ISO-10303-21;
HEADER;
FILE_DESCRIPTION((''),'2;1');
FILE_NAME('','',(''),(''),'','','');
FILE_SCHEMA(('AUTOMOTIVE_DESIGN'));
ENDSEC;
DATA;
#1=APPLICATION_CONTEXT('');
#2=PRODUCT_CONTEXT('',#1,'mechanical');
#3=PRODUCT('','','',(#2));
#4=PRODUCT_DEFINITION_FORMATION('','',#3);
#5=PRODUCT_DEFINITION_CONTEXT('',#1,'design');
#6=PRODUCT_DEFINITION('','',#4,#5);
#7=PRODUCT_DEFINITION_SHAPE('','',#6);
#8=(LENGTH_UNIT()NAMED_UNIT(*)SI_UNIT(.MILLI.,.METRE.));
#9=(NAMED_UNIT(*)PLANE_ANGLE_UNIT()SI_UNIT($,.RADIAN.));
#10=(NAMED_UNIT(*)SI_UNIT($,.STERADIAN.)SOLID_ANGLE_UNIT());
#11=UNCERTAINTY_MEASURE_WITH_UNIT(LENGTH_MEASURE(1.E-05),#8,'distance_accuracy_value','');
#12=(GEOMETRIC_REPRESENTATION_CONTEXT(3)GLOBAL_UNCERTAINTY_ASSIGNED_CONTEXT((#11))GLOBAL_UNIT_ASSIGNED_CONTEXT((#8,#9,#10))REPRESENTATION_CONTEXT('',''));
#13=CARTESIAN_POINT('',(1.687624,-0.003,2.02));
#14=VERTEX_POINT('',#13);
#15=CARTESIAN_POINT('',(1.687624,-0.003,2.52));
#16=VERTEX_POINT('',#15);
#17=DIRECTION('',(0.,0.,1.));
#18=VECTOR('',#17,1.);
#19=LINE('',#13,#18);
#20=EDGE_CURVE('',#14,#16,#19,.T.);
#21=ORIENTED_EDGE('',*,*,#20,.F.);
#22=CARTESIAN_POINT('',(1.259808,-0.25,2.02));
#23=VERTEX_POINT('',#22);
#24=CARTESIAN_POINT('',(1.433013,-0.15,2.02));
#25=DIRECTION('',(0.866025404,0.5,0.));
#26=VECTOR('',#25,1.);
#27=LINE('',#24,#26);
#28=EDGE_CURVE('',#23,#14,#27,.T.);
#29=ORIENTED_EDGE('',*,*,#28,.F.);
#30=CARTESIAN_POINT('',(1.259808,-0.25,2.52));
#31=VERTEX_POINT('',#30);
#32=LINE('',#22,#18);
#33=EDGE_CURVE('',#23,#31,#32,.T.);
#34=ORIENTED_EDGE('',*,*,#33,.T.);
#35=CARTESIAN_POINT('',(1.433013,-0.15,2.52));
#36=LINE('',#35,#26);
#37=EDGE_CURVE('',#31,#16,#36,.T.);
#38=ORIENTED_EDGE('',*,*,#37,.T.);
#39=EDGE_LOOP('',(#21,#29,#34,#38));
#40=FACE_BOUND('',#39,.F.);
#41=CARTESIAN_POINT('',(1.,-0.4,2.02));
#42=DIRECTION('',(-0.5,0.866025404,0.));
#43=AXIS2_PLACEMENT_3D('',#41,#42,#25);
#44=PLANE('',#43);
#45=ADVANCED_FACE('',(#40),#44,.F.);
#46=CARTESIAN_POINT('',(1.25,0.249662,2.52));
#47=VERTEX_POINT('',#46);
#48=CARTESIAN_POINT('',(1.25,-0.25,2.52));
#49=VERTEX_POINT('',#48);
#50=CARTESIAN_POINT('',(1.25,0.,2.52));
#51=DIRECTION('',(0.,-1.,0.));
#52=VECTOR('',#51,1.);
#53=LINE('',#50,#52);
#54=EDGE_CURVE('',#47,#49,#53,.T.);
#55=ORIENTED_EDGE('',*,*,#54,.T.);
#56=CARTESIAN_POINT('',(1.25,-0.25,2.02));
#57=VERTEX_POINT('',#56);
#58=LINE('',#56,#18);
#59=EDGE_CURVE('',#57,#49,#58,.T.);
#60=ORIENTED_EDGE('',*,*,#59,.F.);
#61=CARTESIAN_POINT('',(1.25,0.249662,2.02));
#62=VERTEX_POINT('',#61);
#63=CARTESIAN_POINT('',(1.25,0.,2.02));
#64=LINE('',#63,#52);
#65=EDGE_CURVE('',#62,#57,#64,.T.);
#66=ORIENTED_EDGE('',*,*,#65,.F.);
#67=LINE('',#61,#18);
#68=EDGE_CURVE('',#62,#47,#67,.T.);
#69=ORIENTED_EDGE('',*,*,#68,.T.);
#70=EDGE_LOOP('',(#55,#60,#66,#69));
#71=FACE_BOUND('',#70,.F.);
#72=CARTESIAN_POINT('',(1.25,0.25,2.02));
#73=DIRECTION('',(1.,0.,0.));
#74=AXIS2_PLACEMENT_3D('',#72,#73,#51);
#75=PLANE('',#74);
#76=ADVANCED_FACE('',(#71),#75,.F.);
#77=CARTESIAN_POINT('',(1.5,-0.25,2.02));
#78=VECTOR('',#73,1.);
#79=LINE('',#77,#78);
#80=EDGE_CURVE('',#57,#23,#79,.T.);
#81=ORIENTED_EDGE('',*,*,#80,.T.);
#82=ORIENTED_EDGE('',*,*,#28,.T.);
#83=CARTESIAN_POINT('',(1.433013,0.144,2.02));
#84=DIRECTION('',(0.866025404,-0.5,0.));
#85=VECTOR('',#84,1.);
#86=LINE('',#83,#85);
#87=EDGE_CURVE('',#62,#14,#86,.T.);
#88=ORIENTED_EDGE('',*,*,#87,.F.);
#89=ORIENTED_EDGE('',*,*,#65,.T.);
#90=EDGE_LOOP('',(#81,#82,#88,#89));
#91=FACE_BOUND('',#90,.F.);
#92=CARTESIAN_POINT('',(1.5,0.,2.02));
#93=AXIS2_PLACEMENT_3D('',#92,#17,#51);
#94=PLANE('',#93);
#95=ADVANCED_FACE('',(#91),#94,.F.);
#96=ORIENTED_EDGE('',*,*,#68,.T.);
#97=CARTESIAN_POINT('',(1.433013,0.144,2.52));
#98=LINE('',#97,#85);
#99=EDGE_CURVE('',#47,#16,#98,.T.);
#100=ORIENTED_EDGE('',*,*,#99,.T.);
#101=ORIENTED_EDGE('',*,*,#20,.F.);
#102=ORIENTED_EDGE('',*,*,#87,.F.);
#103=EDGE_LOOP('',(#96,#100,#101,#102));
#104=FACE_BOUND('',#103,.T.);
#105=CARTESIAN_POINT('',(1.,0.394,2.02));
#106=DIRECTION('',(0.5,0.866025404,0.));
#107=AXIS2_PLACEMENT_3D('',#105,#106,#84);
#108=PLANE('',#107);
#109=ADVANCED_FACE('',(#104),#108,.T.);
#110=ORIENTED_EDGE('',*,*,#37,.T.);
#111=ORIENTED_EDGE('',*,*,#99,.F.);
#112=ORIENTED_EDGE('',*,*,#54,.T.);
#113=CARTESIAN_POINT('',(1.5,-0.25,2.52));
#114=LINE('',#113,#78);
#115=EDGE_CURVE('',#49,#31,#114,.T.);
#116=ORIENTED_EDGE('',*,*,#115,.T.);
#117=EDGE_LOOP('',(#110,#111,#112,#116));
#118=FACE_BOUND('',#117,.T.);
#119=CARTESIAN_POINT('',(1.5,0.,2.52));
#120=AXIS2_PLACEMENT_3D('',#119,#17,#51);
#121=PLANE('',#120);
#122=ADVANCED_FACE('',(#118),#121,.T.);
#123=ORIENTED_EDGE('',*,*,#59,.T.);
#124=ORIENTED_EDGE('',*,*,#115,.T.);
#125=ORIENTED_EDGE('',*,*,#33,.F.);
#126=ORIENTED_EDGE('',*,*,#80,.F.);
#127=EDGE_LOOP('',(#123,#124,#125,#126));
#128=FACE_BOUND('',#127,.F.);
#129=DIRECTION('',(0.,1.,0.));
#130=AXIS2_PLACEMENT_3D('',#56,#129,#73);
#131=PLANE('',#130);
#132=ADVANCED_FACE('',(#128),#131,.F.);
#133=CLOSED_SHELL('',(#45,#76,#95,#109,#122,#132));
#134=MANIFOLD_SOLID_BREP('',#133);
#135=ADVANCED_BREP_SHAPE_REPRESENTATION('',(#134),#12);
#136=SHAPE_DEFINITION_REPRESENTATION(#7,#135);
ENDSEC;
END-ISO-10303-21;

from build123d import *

# Parameters (mm, degrees)
BOX028_W               = 1
BOX028_H               = 1
BOX028_DEPTH           = 0.5
BOX028_PLACEMENT_ANGLE = 30
BOX029_W               = 1
BOX029_H               = 1
BOX029_DEPTH           = 0.5
BOX029_PLACEMENT_ANGLE = 60
BOX027_W               = 0.5
BOX027_H               = 0.5
BOX027_DEPTH           = 0.5
CUT020_PLACEMENT_ANGLE = -90


with BuildPart() as kub028:
    # Box028 → Box028 (new body)
    with BuildSketch(Plane.XY):
        with Locations((0.5, 0.5)):
            Rectangle(BOX028_W, BOX028_H)
    extrude(amount=BOX028_DEPTH)


with BuildPart() as kub028_1:
    # Box028 placement: moved
    add(kub028.part.moved(Location((0.4, 1, 2.02))).rotate(Axis((0.4, 1, 2.02), (0, 0, 1)), BOX028_PLACEMENT_ANGLE))


with BuildPart() as kub029:
    # Box029 → Box029 (new body)
    with BuildSketch(Plane.XY):
        with Locations((0.5, 0.5)):
            Rectangle(BOX029_W, BOX029_H)
    extrude(amount=BOX029_DEPTH)


with BuildPart() as kub029_1:
    # Box029 placement: moved
    add(kub029.part.moved(Location((-0.394, 1, 2.02))).rotate(Axis((-0.394, 1, 2.02), (0, 0, 1)), BOX029_PLACEMENT_ANGLE))


with BuildPart() as cut020:
    # Box027 → Box027 (new body)
    with BuildSketch(Plane(origin=(-0.25, 1.25, 2.02), x_dir=(1, 0, 0), z_dir=(0, 0, 1))):
        with Locations((0.25, 0.25)):
            Rectangle(BOX027_W, BOX027_H)
    extrude(amount=BOX027_DEPTH)

    # Cut019: cut Kub029
    add(kub029_1.part, mode=Mode.SUBTRACT)

    # Cut020: cut Kub028
    add(kub028_1.part, mode=Mode.SUBTRACT)


with BuildPart() as cut020_1:
    # Cut020 placement: moved
    add(cut020.part.rotate(Axis((0, 0, 0), (0, 0, 1)), CUT020_PLACEMENT_ANGLE))


solid = cut020_1.part
